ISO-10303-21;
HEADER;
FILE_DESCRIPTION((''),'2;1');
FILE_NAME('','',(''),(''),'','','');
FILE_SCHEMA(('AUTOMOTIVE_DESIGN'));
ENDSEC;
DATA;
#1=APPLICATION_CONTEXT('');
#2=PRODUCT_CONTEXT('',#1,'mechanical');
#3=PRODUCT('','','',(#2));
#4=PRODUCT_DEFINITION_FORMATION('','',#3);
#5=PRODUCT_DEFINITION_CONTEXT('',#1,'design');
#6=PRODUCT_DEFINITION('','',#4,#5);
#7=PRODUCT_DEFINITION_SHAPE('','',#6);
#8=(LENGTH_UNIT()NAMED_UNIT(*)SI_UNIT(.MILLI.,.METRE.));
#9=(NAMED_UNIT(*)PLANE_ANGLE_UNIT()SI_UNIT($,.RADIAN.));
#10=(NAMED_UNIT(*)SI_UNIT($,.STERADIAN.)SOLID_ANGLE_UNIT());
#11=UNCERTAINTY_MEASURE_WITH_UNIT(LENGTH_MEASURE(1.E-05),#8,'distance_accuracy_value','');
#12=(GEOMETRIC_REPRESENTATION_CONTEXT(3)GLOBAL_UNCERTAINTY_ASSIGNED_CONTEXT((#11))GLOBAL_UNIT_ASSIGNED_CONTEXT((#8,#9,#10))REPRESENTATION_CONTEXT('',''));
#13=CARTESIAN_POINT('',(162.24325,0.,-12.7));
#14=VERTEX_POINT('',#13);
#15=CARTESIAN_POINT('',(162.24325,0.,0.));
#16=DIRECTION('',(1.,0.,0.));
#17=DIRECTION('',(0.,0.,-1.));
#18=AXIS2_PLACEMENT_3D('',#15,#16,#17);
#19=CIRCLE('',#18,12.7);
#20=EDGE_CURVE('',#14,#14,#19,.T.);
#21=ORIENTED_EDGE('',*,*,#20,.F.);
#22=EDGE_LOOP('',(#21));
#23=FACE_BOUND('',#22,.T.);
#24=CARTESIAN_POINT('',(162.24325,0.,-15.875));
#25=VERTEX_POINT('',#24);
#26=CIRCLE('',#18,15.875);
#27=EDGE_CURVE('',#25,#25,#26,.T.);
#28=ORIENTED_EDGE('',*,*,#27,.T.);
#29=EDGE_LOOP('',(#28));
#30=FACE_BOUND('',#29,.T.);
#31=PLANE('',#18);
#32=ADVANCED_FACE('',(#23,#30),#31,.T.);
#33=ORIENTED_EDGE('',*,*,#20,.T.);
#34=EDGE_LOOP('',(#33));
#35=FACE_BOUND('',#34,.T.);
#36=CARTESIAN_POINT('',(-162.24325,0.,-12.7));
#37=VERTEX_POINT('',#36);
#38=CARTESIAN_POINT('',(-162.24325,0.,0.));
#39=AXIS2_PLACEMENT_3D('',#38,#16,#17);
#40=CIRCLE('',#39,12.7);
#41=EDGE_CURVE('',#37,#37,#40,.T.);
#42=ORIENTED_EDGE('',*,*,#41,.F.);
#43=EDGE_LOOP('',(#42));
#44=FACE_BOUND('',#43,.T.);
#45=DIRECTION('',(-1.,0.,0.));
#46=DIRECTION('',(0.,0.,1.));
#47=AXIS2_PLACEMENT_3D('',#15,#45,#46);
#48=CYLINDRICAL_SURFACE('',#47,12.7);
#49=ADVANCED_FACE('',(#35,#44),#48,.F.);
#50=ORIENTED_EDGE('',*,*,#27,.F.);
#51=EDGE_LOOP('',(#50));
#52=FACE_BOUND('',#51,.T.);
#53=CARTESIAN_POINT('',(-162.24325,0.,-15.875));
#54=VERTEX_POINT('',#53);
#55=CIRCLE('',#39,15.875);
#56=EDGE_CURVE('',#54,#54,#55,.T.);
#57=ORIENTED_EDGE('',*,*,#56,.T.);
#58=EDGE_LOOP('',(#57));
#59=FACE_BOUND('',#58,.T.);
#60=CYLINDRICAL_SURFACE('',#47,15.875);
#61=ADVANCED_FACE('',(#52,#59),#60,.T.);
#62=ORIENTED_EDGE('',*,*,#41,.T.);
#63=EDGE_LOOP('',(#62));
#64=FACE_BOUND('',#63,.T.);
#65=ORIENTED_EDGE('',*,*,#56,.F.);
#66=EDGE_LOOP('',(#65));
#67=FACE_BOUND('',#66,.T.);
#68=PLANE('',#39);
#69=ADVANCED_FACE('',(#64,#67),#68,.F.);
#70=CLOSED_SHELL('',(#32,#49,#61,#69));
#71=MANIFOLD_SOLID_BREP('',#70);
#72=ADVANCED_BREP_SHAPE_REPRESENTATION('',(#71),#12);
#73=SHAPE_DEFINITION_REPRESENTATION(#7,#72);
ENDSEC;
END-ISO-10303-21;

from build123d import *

# Parameters (mm, degrees)
SKETCH1_R           = 15.875
SKETCH1_R_2         = 12.7
EXTRUDE_THIN1_DEPTH = 162.243250062


with BuildPart() as part:
    # Sketch1 → Extrude-Thin1 (new, symmetric)
    with BuildSketch(Plane(origin=(0, 0, 0), x_dir=(0, 0, -1), z_dir=(1, 0, 0))):
        Circle(SKETCH1_R)
        Circle(SKETCH1_R_2, mode=Mode.SUBTRACT)
    extrude(amount=EXTRUDE_THIN1_DEPTH, both=True)


solid = part.part
